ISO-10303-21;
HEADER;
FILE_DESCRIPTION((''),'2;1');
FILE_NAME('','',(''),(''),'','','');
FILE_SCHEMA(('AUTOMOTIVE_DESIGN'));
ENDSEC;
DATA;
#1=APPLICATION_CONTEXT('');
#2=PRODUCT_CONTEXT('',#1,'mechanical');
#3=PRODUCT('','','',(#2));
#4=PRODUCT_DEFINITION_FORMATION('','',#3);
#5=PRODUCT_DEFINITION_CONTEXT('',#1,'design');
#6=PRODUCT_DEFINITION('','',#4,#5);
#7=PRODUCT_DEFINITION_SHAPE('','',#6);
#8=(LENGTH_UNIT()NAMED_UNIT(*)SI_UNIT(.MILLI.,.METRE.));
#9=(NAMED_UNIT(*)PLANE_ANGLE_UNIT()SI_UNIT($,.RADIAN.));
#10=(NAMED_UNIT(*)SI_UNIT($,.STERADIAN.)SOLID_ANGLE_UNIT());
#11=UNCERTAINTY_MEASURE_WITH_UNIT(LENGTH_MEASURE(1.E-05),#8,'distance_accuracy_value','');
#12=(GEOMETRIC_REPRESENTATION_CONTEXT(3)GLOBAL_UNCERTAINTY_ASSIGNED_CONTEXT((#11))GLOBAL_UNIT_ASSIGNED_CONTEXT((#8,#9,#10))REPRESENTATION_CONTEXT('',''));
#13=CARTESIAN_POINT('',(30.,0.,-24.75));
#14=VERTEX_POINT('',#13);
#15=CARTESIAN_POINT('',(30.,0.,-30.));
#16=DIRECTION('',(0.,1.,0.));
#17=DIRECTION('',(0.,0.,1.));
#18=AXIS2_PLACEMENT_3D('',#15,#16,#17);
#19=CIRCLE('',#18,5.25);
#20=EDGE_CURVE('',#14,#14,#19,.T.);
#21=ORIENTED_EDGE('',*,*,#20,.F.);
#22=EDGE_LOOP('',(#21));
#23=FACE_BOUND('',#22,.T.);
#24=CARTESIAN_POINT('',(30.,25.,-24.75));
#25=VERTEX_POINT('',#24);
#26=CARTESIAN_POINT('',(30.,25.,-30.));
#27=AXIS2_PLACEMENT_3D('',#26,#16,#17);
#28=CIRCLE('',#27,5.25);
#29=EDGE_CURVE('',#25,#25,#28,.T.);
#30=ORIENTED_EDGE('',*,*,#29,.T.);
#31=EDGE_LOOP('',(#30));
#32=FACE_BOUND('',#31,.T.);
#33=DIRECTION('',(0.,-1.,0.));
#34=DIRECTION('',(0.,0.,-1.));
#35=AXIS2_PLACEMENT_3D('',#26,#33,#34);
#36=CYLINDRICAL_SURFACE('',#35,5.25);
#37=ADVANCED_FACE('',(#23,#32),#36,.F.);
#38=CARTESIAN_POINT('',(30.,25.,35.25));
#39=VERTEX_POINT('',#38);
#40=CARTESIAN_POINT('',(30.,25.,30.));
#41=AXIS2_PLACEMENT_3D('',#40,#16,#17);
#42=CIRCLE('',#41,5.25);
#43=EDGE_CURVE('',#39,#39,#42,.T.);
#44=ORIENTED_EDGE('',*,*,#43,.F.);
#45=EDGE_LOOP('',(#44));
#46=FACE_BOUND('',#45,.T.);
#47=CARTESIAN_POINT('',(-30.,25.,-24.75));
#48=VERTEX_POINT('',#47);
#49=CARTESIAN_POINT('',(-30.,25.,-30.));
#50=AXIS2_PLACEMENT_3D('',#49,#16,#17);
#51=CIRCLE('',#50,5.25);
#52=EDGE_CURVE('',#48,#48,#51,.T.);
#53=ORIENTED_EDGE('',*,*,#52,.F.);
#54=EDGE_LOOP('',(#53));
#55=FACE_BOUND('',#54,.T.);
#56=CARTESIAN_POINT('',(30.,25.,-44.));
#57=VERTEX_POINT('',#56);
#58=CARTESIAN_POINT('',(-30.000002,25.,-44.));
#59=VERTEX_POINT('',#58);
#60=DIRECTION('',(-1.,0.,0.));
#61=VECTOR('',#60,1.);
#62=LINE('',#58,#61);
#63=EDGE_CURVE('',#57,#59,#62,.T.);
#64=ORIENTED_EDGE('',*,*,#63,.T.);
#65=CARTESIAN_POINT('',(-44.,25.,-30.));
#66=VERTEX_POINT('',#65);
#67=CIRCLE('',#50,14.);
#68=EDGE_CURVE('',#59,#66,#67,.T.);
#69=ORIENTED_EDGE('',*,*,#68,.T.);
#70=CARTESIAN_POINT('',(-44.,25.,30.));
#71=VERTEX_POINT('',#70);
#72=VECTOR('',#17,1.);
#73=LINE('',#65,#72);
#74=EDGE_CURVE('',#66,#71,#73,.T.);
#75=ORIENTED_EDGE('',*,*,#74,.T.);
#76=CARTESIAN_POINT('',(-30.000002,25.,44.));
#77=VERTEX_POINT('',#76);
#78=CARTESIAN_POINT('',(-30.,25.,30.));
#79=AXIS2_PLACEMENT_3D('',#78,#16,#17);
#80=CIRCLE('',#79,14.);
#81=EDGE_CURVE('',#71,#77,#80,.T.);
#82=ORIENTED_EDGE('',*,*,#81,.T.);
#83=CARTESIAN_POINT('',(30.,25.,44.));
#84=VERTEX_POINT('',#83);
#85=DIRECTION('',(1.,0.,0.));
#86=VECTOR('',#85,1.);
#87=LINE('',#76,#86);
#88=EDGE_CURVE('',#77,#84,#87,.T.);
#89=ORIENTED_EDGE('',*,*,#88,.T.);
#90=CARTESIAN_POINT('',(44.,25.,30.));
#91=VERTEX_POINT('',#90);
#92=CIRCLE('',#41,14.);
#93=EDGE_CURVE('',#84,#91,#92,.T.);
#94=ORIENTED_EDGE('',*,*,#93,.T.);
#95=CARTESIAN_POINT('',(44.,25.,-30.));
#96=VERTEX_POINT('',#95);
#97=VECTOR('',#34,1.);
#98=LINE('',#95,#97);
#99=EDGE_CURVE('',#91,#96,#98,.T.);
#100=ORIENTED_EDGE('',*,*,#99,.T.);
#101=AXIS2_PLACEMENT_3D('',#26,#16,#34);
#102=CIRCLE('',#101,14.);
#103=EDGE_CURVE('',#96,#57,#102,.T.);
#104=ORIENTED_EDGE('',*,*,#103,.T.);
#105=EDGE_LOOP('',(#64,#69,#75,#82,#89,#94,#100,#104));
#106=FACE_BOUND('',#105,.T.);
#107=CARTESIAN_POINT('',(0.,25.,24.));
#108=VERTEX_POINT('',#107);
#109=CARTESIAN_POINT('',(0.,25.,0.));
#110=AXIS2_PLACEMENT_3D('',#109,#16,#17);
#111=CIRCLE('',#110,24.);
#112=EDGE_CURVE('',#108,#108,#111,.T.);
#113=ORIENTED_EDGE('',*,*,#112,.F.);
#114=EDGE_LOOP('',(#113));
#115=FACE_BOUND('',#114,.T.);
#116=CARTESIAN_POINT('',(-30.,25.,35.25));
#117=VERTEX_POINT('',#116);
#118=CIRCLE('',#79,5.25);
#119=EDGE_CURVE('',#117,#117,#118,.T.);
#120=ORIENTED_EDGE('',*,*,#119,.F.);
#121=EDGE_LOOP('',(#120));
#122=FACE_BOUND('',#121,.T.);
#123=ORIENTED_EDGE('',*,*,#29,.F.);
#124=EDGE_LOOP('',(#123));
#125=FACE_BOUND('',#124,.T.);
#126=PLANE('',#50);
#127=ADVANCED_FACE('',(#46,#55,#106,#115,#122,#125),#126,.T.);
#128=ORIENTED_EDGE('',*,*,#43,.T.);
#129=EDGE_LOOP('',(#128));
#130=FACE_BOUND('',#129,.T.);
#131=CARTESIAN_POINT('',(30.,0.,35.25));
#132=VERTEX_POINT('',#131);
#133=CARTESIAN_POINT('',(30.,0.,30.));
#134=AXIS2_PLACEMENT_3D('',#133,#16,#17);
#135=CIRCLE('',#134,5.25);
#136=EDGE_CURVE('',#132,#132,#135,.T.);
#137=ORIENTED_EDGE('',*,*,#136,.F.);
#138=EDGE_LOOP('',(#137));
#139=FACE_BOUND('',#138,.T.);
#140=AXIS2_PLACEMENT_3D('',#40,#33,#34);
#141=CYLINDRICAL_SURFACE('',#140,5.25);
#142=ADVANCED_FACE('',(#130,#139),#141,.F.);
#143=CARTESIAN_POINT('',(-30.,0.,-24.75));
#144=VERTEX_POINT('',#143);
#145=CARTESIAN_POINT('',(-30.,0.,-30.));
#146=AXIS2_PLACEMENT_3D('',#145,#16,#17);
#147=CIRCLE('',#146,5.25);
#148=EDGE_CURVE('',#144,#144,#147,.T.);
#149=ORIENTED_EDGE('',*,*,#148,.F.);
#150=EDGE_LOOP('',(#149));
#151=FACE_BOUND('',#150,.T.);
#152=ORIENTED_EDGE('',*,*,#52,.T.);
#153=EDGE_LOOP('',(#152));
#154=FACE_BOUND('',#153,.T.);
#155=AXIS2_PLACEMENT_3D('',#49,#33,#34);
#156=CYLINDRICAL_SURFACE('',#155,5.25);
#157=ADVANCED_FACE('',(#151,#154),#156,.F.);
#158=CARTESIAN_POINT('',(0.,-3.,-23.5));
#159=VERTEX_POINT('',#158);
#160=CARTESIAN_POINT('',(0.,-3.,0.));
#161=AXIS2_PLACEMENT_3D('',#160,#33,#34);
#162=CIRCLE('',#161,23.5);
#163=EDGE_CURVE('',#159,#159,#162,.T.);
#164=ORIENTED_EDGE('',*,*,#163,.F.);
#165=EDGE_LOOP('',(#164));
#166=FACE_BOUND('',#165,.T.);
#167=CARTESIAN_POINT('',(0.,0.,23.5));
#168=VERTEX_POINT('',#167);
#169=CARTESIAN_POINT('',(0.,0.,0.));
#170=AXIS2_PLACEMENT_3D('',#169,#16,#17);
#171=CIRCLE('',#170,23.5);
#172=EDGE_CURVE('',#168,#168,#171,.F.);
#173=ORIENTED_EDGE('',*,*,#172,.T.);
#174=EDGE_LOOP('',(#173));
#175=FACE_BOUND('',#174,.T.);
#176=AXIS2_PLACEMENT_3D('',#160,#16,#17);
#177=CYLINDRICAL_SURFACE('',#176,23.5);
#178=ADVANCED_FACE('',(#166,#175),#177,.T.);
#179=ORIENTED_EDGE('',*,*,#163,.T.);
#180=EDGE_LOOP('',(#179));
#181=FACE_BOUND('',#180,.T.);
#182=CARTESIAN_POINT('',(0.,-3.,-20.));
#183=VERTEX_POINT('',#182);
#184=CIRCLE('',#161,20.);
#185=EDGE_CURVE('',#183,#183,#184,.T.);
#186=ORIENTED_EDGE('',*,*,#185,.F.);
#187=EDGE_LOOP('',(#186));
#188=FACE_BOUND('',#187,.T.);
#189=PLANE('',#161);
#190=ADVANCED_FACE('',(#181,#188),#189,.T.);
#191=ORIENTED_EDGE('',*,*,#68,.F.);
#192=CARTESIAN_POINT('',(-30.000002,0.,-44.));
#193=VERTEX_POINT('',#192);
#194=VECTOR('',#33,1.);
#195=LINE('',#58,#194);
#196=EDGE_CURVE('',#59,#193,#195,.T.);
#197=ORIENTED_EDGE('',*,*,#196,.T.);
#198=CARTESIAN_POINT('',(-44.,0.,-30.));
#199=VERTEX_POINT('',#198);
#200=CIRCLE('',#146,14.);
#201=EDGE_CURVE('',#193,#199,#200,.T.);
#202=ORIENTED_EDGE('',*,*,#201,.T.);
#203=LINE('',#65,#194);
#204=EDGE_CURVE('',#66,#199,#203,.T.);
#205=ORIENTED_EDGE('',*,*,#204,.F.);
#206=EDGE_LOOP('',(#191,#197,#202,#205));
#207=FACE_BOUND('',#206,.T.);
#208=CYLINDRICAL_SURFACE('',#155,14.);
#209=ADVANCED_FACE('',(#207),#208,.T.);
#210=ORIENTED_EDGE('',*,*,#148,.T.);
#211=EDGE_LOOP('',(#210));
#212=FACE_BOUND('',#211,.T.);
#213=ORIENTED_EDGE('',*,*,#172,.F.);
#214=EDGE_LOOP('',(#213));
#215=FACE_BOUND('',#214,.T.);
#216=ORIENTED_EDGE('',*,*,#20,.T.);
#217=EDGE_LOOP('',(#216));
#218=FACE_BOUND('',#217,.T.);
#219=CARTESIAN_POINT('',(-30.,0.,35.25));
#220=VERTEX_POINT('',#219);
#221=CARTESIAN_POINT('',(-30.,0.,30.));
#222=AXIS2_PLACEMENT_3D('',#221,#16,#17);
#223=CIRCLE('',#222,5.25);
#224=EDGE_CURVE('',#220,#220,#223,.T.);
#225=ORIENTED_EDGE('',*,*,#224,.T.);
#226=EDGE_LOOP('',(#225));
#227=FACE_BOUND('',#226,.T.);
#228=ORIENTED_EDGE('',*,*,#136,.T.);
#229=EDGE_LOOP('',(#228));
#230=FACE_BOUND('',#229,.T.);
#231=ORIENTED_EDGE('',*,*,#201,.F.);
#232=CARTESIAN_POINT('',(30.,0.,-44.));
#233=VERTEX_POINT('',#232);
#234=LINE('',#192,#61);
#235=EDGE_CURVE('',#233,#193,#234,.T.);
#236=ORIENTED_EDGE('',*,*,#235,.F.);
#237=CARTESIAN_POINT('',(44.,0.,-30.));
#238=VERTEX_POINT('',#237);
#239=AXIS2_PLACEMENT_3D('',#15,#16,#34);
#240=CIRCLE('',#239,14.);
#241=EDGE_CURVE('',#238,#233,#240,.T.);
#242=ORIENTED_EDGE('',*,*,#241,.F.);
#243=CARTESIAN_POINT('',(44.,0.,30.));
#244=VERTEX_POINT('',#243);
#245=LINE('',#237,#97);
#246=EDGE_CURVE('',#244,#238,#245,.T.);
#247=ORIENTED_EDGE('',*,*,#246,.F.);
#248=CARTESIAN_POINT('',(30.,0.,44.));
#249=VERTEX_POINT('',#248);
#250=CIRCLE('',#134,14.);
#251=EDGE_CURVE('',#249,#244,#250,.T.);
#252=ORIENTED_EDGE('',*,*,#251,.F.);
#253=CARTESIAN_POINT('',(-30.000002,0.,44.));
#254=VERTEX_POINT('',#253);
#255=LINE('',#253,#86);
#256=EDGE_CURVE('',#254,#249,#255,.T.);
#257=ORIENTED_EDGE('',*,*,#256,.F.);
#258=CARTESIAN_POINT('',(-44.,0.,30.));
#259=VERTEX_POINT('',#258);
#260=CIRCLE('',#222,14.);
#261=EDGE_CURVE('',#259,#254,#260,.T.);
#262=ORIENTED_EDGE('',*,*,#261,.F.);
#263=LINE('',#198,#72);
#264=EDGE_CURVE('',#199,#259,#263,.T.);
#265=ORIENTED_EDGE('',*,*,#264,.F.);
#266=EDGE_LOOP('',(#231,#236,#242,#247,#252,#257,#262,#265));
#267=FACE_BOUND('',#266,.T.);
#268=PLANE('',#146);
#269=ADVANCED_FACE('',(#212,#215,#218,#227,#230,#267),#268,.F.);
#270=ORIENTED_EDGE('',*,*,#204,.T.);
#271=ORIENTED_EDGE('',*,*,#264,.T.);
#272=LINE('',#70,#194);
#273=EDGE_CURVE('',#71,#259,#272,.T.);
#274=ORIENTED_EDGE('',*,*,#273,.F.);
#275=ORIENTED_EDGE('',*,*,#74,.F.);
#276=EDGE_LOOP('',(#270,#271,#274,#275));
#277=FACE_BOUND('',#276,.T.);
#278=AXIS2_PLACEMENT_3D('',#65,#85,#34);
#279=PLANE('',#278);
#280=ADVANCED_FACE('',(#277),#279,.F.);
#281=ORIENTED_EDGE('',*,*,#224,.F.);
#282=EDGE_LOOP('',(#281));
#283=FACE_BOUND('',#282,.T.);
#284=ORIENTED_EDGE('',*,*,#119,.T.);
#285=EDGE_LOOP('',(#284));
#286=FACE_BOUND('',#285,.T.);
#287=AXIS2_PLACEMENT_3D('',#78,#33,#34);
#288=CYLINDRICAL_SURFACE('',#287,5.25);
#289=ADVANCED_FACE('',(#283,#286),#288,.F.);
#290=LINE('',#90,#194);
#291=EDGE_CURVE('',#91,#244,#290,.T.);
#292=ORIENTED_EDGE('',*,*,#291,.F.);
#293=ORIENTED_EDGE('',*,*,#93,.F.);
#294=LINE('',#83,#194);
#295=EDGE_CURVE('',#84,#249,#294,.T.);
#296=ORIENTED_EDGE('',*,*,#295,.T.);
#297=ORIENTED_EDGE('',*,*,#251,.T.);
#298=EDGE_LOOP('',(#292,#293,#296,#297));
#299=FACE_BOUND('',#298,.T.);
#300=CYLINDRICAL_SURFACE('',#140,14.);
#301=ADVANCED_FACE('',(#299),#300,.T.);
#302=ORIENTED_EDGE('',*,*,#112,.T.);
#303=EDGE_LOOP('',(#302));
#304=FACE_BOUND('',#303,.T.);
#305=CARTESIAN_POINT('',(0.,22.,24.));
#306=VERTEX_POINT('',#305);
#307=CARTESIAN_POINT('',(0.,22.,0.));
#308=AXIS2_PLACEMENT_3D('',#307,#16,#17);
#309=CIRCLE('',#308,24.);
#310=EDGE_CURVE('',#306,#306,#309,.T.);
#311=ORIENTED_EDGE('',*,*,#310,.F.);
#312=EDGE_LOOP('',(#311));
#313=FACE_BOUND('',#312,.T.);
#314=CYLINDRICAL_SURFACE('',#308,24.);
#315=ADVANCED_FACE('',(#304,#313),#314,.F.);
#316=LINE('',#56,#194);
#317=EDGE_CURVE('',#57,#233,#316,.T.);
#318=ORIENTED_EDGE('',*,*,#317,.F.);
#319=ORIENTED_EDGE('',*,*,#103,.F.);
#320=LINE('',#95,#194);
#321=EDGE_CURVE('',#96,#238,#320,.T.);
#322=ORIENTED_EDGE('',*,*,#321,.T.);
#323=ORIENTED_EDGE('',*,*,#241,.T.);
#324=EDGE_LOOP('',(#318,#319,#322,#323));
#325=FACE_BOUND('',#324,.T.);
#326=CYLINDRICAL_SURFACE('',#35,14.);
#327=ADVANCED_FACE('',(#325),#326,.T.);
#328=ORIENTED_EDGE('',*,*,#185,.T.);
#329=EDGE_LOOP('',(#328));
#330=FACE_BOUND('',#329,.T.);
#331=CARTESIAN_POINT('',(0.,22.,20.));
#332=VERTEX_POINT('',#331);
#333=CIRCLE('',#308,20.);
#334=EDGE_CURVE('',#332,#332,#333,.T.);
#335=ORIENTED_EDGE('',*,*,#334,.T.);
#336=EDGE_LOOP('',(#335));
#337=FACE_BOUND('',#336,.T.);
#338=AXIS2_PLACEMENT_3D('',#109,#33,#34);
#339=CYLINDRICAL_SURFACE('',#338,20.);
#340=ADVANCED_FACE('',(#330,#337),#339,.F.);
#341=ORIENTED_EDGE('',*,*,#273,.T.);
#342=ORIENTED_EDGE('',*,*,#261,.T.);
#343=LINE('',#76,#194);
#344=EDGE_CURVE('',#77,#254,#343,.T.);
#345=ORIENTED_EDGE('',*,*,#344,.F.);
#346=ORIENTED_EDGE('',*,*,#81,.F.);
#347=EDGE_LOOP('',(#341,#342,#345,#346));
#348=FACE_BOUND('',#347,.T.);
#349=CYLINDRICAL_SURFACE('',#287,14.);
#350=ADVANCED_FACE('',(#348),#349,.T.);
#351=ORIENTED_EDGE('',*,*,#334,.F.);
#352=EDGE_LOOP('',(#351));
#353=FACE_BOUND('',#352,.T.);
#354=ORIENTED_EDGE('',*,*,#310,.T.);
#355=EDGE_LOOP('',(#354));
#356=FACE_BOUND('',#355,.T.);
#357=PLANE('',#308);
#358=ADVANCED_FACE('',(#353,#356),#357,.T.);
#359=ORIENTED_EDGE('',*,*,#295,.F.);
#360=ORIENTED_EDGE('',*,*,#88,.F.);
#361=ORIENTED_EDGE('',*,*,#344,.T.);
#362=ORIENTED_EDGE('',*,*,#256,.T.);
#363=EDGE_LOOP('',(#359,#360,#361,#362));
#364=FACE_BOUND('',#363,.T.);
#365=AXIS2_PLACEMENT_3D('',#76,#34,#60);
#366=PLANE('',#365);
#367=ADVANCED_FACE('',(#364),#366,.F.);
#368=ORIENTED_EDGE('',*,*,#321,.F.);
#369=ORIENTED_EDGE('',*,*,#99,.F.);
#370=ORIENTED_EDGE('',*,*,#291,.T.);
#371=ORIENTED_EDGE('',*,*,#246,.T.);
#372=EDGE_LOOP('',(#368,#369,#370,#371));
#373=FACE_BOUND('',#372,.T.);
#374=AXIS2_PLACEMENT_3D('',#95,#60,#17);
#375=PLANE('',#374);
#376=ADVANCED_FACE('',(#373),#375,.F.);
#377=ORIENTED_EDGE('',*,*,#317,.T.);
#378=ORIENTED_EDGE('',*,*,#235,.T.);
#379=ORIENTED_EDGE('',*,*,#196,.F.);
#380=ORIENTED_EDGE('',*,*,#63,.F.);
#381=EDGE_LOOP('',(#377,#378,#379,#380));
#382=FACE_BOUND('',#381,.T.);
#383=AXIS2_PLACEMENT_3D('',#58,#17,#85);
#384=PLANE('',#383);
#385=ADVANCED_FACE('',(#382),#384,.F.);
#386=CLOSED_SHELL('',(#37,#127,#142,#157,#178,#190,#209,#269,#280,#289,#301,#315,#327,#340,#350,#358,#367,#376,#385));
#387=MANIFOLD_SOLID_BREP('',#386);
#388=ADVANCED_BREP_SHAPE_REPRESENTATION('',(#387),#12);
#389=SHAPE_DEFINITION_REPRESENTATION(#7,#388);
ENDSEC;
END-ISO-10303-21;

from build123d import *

# Parameters (mm, degrees)
ESQUISSE1_R             = 5.25
ESQUISSE1_R_2           = 20
BOSS_EXTRU_1_DEPTH      = 25
ESQUISSE2_R             = 24
ENL_V_MAT_EXTRU_1_DEPTH = 3
ESQUISSE3_R             = 23.5
ESQUISSE3_R_2           = 20
BOSS_EXTRU_2_DEPTH      = 3


with BuildPart() as part:
    # Esquisse1 → Boss.-Extru.1 (new body)
    with BuildSketch(Plane(origin=(0, 0, 0), x_dir=(1, 0, 0), z_dir=(0, 1, 0))):
        with BuildLine():
            Line((-44, 30), (-44, -30))
            ThreePointArc((-44, -30), (-39.899495706, -39.899494167), (-30.000002176, -44))
            Line((-30.000002176, -44), (30, -44))
            ThreePointArc((30, -44), (39.899494937, -39.899494937), (44, -30))
            Line((44, -30), (44, 30))
            ThreePointArc((44, 30), (39.899494937, 39.899494937), (30, 44))
            Line((30, 44), (-30.000002176, 44))
            ThreePointArc((-30.000002176, 44), (-39.899495706, 39.899494167), (-44, 30))
        make_face()
        with Locations(Location((-30, 30, 0), (0, 0, 270))):  # turned: the seam where the file's is
            Circle(ESQUISSE1_R, mode=Mode.SUBTRACT)
        with Locations(Location((30, 30, 0), (0, 0, 270))):  # turned: the seam where the file's is
            Circle(ESQUISSE1_R, mode=Mode.SUBTRACT)
        with Locations(Location((30, -30, 0), (0, 0, 270))):  # turned: the seam where the file's is
            Circle(ESQUISSE1_R, mode=Mode.SUBTRACT)
        with Locations(Location((-30, -30, 0), (0, 0, 270))):  # turned: the seam where the file's is
            Circle(ESQUISSE1_R, mode=Mode.SUBTRACT)
        with Locations(Location((0, 0, 0), (0, 0, 270))):  # turned: the seam where the file's is
            Circle(ESQUISSE1_R_2, mode=Mode.SUBTRACT)
    extrude(amount=BOSS_EXTRU_1_DEPTH)

    # Esquisse2 → Enlèv. mat.-Extru.1 (cut)
    with BuildSketch(Plane(origin=(0, 25, 0), x_dir=(1, 0, 0), z_dir=(0, 1, 0))):
        with Locations(Location((0, 0, 0), (0, 0, 270))):  # turned: the seam where the file's is
            Circle(ESQUISSE2_R)
    extrude(amount=-ENL_V_MAT_EXTRU_1_DEPTH, mode=Mode.SUBTRACT)

    # Esquisse3 → Boss.-Extru.2 (add)
    with BuildSketch(Plane.XZ):
        with Locations(Location((0, 0, 0), (0, 0, 90))):  # turned: the seam where the file's is
            Circle(ESQUISSE3_R)
        with Locations(Location((0, 0, 0), (0, 0, 270))):  # turned: the seam where the file's is
            Circle(ESQUISSE3_R_2, mode=Mode.SUBTRACT)
    extrude(amount=BOSS_EXTRU_2_DEPTH)


solid = part.part
